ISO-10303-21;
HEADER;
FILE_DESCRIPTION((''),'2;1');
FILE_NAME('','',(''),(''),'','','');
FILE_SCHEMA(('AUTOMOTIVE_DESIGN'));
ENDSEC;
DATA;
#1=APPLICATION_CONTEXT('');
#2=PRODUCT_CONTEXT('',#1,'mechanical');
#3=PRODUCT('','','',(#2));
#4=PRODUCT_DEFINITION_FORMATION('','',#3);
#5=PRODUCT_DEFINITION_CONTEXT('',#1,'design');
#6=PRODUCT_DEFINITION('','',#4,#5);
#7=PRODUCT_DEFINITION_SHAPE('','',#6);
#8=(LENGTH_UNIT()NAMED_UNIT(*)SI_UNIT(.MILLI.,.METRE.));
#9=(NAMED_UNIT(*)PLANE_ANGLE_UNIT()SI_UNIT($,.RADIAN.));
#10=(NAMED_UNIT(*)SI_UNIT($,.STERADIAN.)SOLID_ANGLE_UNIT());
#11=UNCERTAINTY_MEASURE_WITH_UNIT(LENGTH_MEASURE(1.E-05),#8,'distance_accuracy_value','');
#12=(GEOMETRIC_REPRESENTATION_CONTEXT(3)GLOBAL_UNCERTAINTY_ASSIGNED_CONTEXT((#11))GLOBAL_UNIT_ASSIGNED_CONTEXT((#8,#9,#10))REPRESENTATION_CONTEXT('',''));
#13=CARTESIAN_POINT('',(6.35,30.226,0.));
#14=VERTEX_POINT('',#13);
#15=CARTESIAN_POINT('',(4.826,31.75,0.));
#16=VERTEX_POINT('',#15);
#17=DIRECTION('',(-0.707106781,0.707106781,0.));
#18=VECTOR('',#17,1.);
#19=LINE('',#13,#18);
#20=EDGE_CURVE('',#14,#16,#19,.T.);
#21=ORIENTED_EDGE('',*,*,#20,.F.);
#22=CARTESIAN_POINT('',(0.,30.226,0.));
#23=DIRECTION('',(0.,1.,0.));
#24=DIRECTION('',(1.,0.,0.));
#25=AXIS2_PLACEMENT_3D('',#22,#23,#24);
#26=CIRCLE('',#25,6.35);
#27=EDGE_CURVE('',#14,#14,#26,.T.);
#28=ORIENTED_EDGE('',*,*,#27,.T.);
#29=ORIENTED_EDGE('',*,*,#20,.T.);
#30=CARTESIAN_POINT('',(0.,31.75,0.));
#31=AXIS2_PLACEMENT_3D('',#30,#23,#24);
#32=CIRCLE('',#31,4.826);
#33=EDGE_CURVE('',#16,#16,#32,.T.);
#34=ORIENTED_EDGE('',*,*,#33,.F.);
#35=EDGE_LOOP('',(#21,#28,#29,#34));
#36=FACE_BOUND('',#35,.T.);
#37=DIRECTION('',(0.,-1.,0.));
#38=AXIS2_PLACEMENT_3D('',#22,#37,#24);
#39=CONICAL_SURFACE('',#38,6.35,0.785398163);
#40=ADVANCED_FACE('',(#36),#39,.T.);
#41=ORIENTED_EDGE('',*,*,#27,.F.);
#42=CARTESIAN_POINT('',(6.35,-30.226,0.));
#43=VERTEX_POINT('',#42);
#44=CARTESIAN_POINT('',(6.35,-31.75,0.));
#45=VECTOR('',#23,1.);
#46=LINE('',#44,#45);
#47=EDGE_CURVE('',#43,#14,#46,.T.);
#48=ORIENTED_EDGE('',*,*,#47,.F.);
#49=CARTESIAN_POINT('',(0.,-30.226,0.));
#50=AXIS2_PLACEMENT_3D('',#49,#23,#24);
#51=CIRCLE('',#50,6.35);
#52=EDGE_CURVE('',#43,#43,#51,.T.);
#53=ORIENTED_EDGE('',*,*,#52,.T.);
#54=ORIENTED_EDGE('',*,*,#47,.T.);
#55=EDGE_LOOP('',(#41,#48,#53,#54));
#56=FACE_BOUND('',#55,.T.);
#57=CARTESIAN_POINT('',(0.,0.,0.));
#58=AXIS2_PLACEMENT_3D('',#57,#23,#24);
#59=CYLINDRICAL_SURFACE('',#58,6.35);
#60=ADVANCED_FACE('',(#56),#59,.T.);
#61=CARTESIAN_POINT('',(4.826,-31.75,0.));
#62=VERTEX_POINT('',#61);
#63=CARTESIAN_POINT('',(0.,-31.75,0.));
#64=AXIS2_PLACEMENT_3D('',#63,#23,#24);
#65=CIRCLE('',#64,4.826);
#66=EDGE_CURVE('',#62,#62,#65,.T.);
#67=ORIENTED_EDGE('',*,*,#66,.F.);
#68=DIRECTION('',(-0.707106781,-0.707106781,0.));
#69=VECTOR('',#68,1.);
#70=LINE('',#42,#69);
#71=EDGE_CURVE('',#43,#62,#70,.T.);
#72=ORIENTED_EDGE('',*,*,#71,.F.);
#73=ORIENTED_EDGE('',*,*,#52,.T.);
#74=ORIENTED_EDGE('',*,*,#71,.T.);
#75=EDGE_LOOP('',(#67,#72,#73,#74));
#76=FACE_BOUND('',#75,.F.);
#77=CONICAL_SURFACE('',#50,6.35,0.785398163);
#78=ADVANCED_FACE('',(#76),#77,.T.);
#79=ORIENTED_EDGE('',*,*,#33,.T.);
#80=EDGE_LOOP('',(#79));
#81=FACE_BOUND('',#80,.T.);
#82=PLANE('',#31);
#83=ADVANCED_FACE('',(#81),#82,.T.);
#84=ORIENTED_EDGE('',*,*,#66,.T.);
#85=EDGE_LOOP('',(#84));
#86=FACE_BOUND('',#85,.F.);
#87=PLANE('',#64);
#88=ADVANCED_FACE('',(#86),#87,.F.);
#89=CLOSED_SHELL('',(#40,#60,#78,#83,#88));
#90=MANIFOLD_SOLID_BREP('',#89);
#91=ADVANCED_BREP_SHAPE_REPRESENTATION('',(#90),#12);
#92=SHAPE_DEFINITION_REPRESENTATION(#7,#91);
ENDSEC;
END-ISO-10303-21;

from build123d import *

# Parameters (mm, degrees)
SKETCH1_R           = 6.35
BOSS_EXTRUDE1_DEPTH = 31.75
CHAMFER1_SIZE       = 1.524


with BuildPart() as part:
    # Sketch1 → Boss-Extrude1 (new body, symmetric)
    with BuildSketch(Plane(origin=(0, 0, 0), x_dir=(1, 0, 0), z_dir=(0, 1, 0))):
        Circle(SKETCH1_R)
    extrude(amount=BOSS_EXTRUDE1_DEPTH, both=True)

    # Chamfer1
    chamfer1_edges = [part.edges().sort_by_distance(p)[0] for p in [
        (-6.35, -31.75, 0),
        (-6.35, 31.75, 0),
    ]]
    chamfer(chamfer1_edges, length=CHAMFER1_SIZE)


solid = part.part
